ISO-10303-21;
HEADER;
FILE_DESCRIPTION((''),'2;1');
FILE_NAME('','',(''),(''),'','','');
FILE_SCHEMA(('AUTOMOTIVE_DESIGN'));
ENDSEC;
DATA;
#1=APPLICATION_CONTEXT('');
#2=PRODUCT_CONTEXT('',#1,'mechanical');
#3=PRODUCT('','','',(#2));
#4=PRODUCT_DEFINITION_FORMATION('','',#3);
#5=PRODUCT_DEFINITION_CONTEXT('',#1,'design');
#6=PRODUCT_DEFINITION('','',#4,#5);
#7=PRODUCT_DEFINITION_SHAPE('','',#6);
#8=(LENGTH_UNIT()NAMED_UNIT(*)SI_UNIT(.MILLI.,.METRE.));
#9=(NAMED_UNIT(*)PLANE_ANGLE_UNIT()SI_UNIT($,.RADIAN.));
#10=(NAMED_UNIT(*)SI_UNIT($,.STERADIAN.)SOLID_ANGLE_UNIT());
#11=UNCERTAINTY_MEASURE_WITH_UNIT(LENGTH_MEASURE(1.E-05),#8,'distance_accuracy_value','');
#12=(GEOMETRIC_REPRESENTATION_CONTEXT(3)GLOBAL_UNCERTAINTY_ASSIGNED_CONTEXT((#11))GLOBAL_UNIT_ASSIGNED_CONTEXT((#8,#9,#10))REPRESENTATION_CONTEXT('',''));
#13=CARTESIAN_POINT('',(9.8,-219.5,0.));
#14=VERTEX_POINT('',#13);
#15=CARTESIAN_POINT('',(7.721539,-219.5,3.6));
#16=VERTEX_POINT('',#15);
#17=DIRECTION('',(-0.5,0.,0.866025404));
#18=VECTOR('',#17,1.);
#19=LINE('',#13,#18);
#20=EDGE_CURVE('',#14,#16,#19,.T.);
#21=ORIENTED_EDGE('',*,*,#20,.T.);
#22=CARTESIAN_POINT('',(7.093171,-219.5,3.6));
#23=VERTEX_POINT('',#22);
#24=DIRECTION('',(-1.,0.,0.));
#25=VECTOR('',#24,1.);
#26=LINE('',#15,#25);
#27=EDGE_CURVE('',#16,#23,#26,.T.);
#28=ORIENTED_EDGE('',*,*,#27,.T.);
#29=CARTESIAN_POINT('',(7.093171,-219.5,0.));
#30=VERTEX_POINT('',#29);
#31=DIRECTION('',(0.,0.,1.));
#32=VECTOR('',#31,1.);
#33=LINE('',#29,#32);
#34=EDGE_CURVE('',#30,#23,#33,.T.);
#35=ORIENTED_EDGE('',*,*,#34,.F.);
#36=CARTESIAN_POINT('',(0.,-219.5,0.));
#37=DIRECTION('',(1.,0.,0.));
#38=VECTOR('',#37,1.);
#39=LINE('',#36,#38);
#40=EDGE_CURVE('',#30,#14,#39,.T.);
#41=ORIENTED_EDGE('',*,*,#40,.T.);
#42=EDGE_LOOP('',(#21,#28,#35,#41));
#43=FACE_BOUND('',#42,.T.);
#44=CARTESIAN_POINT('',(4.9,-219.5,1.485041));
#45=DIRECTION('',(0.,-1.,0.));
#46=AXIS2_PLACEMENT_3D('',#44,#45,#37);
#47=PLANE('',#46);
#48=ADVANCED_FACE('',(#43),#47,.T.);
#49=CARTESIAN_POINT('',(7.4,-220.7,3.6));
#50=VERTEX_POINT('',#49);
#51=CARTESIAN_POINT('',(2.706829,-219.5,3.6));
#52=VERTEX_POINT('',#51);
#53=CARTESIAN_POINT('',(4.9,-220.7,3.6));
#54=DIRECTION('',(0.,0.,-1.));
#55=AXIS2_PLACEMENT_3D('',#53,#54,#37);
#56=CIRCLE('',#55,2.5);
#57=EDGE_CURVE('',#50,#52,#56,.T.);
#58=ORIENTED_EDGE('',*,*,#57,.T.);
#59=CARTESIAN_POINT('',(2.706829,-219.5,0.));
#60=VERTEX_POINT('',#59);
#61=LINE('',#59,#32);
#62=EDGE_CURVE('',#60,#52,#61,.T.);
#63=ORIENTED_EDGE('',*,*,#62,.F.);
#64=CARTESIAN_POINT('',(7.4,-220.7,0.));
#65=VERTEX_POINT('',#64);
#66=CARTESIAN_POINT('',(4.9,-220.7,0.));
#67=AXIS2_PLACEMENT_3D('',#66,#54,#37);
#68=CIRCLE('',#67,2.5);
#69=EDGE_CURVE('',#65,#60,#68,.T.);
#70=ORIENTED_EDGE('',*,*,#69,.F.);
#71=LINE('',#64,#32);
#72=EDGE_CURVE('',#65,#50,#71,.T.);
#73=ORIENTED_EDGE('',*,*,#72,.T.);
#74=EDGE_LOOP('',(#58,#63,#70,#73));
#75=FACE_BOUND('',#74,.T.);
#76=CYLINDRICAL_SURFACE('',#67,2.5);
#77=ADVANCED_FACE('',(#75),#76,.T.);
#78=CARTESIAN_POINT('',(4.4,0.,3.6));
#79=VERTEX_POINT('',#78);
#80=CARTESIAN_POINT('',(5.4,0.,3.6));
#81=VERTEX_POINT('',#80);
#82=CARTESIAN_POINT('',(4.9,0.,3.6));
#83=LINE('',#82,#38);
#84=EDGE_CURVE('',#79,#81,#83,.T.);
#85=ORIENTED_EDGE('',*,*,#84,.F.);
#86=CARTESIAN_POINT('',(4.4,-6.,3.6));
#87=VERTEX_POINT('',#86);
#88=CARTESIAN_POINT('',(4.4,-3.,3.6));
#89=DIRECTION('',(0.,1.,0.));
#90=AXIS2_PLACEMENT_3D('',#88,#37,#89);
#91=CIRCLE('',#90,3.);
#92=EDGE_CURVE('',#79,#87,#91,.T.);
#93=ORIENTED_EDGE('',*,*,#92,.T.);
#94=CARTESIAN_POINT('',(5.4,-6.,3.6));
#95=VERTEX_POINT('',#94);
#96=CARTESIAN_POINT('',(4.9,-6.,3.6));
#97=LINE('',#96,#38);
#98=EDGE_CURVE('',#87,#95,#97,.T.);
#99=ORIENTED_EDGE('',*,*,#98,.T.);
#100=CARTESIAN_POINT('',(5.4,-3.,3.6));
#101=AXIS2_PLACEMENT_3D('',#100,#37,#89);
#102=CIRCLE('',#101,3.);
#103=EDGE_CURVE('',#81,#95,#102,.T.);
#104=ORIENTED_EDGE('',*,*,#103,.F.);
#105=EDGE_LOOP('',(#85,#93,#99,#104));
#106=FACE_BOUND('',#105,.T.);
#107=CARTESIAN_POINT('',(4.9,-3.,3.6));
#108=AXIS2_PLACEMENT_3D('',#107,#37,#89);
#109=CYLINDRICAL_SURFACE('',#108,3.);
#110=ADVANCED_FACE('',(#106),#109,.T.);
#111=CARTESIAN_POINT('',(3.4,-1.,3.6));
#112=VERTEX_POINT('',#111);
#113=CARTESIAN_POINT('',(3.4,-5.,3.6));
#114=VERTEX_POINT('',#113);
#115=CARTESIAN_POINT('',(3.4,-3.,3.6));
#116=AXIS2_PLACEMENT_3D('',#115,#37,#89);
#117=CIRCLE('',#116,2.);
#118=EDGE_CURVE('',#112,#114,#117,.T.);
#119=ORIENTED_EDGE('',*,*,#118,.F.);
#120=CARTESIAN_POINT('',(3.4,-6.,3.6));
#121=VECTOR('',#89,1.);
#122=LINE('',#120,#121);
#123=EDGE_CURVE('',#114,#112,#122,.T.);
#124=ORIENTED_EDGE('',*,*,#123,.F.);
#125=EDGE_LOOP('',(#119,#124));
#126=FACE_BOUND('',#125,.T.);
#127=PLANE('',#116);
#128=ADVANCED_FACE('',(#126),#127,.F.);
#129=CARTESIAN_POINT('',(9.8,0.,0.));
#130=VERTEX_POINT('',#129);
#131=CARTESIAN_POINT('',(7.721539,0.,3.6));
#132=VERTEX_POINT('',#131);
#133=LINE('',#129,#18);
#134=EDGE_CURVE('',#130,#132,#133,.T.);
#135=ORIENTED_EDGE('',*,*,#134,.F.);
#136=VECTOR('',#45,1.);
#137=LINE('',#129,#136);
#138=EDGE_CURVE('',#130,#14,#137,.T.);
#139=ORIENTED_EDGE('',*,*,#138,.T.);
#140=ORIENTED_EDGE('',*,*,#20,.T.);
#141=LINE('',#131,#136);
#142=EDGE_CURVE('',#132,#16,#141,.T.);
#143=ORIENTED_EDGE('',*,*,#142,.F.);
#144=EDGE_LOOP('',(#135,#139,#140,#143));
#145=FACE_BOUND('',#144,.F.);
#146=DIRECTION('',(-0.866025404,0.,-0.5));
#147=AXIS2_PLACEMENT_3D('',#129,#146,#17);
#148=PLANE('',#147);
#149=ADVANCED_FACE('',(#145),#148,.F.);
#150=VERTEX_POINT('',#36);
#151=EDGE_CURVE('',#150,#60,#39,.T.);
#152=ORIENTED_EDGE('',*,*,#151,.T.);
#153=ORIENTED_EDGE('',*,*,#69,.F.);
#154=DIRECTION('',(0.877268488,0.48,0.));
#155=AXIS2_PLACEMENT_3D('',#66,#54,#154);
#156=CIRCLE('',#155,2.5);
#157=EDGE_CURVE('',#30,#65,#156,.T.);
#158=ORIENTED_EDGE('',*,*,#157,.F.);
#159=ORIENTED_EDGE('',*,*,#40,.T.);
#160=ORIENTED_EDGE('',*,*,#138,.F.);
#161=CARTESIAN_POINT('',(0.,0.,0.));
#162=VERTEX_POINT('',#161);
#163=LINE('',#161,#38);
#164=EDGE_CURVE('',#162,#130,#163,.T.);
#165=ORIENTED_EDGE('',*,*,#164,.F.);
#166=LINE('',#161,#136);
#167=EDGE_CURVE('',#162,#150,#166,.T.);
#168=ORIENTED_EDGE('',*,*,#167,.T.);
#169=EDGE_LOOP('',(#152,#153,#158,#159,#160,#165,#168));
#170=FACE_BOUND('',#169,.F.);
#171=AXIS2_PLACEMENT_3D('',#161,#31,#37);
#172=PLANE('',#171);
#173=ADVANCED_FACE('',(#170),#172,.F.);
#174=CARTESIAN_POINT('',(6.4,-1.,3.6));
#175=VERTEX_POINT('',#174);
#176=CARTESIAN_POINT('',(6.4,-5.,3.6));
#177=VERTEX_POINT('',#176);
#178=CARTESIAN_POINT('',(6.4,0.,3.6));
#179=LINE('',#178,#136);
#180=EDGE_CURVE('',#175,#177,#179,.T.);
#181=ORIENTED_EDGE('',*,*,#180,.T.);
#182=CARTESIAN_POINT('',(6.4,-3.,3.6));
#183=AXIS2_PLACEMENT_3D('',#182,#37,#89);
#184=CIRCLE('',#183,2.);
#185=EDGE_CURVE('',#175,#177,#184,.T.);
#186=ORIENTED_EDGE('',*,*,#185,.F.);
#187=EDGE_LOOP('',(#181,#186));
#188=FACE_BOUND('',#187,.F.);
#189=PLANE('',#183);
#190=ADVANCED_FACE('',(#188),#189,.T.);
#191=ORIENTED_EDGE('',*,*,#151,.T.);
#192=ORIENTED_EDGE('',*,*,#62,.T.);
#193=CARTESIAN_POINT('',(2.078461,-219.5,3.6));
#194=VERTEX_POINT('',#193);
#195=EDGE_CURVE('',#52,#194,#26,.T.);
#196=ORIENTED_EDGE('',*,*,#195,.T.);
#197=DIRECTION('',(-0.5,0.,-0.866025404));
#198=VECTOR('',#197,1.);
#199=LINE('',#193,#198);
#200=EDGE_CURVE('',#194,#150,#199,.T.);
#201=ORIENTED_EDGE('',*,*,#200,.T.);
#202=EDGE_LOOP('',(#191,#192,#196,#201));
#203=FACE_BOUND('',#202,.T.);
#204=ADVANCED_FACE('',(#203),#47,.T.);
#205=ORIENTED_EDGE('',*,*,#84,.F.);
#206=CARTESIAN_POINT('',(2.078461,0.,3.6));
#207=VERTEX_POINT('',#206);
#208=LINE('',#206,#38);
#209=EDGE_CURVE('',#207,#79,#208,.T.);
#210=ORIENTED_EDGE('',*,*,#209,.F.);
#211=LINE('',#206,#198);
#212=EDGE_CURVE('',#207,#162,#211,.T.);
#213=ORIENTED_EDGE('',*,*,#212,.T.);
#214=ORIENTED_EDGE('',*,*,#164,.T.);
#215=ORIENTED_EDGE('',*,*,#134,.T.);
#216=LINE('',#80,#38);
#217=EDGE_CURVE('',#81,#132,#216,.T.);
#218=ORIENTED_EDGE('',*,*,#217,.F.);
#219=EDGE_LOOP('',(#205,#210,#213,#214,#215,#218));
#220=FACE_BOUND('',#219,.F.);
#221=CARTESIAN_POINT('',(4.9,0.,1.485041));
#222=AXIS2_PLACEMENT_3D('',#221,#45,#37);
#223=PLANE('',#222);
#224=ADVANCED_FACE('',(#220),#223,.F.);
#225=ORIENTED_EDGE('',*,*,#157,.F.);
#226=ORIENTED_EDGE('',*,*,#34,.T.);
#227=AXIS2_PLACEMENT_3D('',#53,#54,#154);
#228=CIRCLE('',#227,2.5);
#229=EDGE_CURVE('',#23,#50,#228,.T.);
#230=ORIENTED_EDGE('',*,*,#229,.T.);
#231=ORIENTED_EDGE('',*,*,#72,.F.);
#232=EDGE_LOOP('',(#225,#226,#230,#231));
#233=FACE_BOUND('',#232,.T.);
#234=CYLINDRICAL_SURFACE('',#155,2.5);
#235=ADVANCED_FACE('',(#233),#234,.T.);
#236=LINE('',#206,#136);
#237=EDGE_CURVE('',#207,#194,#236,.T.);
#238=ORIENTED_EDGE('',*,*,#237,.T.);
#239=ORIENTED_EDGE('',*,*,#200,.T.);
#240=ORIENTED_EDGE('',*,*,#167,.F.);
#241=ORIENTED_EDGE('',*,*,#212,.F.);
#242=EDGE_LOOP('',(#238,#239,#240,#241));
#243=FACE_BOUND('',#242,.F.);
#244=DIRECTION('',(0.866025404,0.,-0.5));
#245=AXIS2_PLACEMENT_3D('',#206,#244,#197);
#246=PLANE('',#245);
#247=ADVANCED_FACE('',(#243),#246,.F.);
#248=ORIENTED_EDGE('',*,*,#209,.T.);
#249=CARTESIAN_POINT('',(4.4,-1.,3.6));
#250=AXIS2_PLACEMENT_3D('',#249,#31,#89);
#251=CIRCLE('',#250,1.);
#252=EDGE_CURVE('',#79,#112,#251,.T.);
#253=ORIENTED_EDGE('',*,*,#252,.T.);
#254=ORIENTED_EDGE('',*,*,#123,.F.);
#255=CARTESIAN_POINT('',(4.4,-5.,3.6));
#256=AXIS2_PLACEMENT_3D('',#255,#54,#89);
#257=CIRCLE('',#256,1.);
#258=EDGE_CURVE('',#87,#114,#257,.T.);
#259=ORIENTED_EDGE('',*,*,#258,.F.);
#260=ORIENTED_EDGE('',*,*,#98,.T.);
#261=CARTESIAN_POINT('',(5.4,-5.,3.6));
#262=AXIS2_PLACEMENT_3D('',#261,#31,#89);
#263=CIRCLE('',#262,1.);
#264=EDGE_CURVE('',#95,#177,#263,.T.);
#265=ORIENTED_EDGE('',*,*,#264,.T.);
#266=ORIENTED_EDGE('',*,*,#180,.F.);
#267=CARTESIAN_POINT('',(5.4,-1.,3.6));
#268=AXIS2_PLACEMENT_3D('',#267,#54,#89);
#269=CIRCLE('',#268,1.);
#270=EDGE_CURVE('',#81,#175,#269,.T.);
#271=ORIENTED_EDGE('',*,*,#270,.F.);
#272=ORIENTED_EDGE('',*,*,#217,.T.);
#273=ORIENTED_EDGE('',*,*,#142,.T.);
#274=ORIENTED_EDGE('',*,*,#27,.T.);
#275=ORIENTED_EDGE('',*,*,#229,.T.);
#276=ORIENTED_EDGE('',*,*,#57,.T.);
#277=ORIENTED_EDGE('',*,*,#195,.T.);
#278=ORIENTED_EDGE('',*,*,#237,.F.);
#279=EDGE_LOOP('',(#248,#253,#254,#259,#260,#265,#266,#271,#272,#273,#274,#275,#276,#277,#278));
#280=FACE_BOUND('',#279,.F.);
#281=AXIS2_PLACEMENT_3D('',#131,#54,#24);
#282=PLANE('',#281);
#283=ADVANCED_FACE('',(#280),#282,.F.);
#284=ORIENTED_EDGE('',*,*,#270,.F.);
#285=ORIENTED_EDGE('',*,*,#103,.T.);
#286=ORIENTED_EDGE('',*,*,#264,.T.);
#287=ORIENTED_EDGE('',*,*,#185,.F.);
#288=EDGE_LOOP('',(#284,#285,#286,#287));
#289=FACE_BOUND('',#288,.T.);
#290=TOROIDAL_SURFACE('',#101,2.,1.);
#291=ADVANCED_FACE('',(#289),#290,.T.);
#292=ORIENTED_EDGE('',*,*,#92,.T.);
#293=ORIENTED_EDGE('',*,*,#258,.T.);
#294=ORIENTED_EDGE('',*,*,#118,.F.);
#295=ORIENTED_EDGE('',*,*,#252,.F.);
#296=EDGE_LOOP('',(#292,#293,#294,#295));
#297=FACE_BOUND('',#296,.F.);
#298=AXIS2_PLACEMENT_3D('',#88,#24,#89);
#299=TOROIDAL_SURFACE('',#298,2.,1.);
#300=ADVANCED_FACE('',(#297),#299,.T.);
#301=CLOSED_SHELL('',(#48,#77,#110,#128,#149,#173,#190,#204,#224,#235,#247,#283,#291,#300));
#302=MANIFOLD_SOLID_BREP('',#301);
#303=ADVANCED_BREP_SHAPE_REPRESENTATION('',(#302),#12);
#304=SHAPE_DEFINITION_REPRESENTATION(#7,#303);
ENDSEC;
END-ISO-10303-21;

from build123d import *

# Parameters (mm, degrees)
F1_DEPTH = 219.5
F3_DEPTH = 3.6
F6_W     = 3
F6_H     = 3
F7_ANGLE = 180
F8_R     = 1


with BuildPart() as f1:
    # F0 (on Front) → F1 (new body)
    with BuildSketch(Plane.XZ):
        Polygon((2.0784609691, 3.6), (0, 0), (9.8, 0), (7.7215390309, 3.6), align=None)
    extrude(amount=F1_DEPTH)

    # F2 (on face) → F3 (join)
    with BuildSketch(Plane(origin=(0, 0, 0), x_dir=(1, 0, 0), z_dir=(0, 0, -1))):
        with BuildLine():
            ThreePointArc((7.0931712199, 219.5), (7.3220784514, 220.0806971863), (7.4, 220.7))
            ThreePointArc((7.4, 220.7), (4.2806971863, 223.1220784514), (2.7068287801, 219.5))
            Line((2.7068287801, 219.5), (7.0931712199, 219.5))
        make_face()
    extrude(amount=-F3_DEPTH)


with BuildPart() as f4_1:
    # F4: copy of F1
    add(f1.part)

    # F6 (on face) → F7 (revolve)
    with BuildSketch(Plane.XY.offset(3.6)):
        with Locations((4.9, -1.5)):
            Rectangle(F6_W, F6_H)
    revolve(axis=Axis((4.9, -3, 3.6), (1, 0, 0)), revolution_arc=F7_ANGLE)

    # F8
    f8_edges = [f4_1.edges().sort_by_distance(p)[0] for p in [
        (6.4, -3, 6.6),
        (3.4, -3, 6.6),
    ]]
    fillet(f8_edges, radius=F8_R)


solid = f4_1.part
